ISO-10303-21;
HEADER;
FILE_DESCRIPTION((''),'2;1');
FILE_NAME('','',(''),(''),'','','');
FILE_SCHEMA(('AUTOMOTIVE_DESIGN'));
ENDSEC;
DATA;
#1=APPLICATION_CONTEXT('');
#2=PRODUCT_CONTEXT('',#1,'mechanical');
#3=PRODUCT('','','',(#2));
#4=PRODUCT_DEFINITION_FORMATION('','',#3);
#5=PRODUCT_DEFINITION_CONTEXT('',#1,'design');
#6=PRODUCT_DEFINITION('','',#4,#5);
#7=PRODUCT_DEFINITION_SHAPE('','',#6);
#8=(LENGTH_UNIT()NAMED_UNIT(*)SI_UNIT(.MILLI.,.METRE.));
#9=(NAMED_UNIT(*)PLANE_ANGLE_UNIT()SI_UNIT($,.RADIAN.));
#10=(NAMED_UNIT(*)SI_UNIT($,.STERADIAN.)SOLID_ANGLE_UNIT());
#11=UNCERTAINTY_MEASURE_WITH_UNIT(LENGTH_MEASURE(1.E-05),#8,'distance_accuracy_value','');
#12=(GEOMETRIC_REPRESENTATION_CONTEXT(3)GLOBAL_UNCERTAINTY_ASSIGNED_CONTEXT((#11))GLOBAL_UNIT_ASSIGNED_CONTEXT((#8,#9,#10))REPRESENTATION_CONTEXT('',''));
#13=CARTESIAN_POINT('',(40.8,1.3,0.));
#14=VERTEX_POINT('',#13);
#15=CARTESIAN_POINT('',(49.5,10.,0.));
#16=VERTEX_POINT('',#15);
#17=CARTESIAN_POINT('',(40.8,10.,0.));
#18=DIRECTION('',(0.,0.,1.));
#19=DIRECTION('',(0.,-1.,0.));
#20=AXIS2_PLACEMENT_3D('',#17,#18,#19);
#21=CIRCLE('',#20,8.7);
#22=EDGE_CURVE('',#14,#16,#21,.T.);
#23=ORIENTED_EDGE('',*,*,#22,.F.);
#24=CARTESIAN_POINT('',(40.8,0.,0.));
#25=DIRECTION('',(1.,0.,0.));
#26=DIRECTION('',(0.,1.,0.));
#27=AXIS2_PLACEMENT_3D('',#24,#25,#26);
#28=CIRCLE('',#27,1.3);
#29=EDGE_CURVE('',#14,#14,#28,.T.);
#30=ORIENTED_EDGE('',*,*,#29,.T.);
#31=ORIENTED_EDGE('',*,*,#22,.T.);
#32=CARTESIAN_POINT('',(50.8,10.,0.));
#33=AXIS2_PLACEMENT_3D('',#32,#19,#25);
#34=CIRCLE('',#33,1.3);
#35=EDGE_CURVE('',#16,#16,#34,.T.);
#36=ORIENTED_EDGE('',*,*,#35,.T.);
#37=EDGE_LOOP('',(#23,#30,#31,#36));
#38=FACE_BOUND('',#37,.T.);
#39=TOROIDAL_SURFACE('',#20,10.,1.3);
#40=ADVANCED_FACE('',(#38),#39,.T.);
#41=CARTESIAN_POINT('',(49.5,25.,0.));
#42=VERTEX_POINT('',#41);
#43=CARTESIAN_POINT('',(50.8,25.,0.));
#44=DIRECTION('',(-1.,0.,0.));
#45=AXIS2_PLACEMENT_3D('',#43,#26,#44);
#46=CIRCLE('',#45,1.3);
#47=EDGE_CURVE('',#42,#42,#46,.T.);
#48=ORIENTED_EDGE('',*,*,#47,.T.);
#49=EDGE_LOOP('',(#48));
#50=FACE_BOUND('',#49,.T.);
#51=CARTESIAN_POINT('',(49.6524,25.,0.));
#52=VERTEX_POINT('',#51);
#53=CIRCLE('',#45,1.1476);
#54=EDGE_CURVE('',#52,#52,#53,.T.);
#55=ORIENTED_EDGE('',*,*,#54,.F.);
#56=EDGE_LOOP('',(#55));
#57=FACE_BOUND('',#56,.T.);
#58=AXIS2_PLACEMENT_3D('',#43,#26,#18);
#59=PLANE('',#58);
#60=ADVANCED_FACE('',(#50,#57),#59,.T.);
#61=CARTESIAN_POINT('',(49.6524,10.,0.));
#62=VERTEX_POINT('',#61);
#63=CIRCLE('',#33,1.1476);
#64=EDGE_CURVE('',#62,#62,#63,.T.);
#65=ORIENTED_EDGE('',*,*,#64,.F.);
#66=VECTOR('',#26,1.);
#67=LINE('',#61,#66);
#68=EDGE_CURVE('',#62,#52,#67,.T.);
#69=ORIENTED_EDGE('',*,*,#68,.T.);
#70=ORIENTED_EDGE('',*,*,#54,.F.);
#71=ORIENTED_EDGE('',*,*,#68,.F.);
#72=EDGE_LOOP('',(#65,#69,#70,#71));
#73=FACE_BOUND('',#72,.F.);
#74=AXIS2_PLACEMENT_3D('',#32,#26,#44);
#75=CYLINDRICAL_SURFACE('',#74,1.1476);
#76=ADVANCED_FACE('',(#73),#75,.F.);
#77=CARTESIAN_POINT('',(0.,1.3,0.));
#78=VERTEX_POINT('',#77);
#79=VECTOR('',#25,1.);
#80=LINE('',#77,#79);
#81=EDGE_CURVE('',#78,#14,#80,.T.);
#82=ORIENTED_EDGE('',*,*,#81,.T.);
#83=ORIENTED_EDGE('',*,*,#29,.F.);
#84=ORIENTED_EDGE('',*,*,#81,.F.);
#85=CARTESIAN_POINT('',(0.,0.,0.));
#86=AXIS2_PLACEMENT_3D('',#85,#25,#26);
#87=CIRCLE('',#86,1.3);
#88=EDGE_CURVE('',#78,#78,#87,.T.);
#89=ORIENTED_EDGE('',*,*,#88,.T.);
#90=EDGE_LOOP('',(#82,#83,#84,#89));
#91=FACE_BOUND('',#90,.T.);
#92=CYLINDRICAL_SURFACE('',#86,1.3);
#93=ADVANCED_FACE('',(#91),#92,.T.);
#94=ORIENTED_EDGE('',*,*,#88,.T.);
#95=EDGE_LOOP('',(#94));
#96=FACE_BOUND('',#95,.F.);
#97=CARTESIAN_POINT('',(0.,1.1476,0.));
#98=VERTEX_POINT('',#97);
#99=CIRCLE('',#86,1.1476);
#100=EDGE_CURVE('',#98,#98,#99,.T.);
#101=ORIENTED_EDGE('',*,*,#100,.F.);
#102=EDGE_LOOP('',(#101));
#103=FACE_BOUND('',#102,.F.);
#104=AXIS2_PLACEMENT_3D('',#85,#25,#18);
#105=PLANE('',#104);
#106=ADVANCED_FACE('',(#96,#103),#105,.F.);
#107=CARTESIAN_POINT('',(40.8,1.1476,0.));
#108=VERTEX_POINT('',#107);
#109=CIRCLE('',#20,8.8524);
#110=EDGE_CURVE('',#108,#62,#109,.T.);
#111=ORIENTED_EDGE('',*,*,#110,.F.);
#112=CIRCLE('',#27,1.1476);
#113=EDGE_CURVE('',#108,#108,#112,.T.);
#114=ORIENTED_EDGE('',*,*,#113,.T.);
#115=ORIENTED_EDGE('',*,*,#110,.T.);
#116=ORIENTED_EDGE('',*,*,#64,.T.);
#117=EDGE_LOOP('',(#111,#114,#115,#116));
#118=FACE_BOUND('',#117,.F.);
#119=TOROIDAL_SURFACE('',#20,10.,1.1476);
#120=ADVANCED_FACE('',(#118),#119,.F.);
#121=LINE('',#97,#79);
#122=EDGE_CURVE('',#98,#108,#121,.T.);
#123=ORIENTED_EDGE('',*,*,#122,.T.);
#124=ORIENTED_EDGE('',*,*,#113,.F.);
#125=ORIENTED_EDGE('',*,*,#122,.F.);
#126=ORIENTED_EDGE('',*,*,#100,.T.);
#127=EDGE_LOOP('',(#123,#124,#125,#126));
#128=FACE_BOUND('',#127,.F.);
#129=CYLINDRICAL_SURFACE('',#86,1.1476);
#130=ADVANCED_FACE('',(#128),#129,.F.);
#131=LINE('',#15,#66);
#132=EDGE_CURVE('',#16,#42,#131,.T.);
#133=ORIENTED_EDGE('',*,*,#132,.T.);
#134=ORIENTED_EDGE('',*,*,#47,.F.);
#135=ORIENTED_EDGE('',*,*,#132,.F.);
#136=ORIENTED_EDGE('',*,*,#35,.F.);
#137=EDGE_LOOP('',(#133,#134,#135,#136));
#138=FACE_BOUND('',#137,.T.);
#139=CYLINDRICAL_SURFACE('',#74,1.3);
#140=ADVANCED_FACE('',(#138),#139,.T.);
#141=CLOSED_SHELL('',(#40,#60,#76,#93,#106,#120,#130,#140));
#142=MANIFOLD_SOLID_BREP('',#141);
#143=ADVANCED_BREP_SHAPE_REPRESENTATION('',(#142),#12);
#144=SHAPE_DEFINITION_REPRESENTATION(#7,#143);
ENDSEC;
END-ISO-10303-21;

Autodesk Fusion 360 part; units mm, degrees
sketch "Sketch1" plane through (0, 0, 0) normal (1, 0, 0) x (0, 1, 0)
  circle A0 centre (0, 0) radius 1.3
  circle A1 centre (0, 0) radius 1.1476
  dimension "d1" = 2.6
  dimension "d2" = 2.2952
sketch "Sketch2" plane through (0, 0, 0) normal (0, 0, 1) x (1, 0, 0)
  line L0 (0, 0) -> (40.8, 0)
  line L1 (50.8, 10) -> (50.8, 25)
  arc A0 (40.8, 0) -> (50.8, 10) centre (40.8, 10) ccw
  point P0 (50.8, 0)
  dimension "d3" = 50.8
  dimension "d4" = 25
  dimension "d5" = 10
sweep "Sweep1" add profiles "Sketch1" path "Sketch2" along L0 A0 L1 section 1
equation "d2 = d1 - 0.012 in"
